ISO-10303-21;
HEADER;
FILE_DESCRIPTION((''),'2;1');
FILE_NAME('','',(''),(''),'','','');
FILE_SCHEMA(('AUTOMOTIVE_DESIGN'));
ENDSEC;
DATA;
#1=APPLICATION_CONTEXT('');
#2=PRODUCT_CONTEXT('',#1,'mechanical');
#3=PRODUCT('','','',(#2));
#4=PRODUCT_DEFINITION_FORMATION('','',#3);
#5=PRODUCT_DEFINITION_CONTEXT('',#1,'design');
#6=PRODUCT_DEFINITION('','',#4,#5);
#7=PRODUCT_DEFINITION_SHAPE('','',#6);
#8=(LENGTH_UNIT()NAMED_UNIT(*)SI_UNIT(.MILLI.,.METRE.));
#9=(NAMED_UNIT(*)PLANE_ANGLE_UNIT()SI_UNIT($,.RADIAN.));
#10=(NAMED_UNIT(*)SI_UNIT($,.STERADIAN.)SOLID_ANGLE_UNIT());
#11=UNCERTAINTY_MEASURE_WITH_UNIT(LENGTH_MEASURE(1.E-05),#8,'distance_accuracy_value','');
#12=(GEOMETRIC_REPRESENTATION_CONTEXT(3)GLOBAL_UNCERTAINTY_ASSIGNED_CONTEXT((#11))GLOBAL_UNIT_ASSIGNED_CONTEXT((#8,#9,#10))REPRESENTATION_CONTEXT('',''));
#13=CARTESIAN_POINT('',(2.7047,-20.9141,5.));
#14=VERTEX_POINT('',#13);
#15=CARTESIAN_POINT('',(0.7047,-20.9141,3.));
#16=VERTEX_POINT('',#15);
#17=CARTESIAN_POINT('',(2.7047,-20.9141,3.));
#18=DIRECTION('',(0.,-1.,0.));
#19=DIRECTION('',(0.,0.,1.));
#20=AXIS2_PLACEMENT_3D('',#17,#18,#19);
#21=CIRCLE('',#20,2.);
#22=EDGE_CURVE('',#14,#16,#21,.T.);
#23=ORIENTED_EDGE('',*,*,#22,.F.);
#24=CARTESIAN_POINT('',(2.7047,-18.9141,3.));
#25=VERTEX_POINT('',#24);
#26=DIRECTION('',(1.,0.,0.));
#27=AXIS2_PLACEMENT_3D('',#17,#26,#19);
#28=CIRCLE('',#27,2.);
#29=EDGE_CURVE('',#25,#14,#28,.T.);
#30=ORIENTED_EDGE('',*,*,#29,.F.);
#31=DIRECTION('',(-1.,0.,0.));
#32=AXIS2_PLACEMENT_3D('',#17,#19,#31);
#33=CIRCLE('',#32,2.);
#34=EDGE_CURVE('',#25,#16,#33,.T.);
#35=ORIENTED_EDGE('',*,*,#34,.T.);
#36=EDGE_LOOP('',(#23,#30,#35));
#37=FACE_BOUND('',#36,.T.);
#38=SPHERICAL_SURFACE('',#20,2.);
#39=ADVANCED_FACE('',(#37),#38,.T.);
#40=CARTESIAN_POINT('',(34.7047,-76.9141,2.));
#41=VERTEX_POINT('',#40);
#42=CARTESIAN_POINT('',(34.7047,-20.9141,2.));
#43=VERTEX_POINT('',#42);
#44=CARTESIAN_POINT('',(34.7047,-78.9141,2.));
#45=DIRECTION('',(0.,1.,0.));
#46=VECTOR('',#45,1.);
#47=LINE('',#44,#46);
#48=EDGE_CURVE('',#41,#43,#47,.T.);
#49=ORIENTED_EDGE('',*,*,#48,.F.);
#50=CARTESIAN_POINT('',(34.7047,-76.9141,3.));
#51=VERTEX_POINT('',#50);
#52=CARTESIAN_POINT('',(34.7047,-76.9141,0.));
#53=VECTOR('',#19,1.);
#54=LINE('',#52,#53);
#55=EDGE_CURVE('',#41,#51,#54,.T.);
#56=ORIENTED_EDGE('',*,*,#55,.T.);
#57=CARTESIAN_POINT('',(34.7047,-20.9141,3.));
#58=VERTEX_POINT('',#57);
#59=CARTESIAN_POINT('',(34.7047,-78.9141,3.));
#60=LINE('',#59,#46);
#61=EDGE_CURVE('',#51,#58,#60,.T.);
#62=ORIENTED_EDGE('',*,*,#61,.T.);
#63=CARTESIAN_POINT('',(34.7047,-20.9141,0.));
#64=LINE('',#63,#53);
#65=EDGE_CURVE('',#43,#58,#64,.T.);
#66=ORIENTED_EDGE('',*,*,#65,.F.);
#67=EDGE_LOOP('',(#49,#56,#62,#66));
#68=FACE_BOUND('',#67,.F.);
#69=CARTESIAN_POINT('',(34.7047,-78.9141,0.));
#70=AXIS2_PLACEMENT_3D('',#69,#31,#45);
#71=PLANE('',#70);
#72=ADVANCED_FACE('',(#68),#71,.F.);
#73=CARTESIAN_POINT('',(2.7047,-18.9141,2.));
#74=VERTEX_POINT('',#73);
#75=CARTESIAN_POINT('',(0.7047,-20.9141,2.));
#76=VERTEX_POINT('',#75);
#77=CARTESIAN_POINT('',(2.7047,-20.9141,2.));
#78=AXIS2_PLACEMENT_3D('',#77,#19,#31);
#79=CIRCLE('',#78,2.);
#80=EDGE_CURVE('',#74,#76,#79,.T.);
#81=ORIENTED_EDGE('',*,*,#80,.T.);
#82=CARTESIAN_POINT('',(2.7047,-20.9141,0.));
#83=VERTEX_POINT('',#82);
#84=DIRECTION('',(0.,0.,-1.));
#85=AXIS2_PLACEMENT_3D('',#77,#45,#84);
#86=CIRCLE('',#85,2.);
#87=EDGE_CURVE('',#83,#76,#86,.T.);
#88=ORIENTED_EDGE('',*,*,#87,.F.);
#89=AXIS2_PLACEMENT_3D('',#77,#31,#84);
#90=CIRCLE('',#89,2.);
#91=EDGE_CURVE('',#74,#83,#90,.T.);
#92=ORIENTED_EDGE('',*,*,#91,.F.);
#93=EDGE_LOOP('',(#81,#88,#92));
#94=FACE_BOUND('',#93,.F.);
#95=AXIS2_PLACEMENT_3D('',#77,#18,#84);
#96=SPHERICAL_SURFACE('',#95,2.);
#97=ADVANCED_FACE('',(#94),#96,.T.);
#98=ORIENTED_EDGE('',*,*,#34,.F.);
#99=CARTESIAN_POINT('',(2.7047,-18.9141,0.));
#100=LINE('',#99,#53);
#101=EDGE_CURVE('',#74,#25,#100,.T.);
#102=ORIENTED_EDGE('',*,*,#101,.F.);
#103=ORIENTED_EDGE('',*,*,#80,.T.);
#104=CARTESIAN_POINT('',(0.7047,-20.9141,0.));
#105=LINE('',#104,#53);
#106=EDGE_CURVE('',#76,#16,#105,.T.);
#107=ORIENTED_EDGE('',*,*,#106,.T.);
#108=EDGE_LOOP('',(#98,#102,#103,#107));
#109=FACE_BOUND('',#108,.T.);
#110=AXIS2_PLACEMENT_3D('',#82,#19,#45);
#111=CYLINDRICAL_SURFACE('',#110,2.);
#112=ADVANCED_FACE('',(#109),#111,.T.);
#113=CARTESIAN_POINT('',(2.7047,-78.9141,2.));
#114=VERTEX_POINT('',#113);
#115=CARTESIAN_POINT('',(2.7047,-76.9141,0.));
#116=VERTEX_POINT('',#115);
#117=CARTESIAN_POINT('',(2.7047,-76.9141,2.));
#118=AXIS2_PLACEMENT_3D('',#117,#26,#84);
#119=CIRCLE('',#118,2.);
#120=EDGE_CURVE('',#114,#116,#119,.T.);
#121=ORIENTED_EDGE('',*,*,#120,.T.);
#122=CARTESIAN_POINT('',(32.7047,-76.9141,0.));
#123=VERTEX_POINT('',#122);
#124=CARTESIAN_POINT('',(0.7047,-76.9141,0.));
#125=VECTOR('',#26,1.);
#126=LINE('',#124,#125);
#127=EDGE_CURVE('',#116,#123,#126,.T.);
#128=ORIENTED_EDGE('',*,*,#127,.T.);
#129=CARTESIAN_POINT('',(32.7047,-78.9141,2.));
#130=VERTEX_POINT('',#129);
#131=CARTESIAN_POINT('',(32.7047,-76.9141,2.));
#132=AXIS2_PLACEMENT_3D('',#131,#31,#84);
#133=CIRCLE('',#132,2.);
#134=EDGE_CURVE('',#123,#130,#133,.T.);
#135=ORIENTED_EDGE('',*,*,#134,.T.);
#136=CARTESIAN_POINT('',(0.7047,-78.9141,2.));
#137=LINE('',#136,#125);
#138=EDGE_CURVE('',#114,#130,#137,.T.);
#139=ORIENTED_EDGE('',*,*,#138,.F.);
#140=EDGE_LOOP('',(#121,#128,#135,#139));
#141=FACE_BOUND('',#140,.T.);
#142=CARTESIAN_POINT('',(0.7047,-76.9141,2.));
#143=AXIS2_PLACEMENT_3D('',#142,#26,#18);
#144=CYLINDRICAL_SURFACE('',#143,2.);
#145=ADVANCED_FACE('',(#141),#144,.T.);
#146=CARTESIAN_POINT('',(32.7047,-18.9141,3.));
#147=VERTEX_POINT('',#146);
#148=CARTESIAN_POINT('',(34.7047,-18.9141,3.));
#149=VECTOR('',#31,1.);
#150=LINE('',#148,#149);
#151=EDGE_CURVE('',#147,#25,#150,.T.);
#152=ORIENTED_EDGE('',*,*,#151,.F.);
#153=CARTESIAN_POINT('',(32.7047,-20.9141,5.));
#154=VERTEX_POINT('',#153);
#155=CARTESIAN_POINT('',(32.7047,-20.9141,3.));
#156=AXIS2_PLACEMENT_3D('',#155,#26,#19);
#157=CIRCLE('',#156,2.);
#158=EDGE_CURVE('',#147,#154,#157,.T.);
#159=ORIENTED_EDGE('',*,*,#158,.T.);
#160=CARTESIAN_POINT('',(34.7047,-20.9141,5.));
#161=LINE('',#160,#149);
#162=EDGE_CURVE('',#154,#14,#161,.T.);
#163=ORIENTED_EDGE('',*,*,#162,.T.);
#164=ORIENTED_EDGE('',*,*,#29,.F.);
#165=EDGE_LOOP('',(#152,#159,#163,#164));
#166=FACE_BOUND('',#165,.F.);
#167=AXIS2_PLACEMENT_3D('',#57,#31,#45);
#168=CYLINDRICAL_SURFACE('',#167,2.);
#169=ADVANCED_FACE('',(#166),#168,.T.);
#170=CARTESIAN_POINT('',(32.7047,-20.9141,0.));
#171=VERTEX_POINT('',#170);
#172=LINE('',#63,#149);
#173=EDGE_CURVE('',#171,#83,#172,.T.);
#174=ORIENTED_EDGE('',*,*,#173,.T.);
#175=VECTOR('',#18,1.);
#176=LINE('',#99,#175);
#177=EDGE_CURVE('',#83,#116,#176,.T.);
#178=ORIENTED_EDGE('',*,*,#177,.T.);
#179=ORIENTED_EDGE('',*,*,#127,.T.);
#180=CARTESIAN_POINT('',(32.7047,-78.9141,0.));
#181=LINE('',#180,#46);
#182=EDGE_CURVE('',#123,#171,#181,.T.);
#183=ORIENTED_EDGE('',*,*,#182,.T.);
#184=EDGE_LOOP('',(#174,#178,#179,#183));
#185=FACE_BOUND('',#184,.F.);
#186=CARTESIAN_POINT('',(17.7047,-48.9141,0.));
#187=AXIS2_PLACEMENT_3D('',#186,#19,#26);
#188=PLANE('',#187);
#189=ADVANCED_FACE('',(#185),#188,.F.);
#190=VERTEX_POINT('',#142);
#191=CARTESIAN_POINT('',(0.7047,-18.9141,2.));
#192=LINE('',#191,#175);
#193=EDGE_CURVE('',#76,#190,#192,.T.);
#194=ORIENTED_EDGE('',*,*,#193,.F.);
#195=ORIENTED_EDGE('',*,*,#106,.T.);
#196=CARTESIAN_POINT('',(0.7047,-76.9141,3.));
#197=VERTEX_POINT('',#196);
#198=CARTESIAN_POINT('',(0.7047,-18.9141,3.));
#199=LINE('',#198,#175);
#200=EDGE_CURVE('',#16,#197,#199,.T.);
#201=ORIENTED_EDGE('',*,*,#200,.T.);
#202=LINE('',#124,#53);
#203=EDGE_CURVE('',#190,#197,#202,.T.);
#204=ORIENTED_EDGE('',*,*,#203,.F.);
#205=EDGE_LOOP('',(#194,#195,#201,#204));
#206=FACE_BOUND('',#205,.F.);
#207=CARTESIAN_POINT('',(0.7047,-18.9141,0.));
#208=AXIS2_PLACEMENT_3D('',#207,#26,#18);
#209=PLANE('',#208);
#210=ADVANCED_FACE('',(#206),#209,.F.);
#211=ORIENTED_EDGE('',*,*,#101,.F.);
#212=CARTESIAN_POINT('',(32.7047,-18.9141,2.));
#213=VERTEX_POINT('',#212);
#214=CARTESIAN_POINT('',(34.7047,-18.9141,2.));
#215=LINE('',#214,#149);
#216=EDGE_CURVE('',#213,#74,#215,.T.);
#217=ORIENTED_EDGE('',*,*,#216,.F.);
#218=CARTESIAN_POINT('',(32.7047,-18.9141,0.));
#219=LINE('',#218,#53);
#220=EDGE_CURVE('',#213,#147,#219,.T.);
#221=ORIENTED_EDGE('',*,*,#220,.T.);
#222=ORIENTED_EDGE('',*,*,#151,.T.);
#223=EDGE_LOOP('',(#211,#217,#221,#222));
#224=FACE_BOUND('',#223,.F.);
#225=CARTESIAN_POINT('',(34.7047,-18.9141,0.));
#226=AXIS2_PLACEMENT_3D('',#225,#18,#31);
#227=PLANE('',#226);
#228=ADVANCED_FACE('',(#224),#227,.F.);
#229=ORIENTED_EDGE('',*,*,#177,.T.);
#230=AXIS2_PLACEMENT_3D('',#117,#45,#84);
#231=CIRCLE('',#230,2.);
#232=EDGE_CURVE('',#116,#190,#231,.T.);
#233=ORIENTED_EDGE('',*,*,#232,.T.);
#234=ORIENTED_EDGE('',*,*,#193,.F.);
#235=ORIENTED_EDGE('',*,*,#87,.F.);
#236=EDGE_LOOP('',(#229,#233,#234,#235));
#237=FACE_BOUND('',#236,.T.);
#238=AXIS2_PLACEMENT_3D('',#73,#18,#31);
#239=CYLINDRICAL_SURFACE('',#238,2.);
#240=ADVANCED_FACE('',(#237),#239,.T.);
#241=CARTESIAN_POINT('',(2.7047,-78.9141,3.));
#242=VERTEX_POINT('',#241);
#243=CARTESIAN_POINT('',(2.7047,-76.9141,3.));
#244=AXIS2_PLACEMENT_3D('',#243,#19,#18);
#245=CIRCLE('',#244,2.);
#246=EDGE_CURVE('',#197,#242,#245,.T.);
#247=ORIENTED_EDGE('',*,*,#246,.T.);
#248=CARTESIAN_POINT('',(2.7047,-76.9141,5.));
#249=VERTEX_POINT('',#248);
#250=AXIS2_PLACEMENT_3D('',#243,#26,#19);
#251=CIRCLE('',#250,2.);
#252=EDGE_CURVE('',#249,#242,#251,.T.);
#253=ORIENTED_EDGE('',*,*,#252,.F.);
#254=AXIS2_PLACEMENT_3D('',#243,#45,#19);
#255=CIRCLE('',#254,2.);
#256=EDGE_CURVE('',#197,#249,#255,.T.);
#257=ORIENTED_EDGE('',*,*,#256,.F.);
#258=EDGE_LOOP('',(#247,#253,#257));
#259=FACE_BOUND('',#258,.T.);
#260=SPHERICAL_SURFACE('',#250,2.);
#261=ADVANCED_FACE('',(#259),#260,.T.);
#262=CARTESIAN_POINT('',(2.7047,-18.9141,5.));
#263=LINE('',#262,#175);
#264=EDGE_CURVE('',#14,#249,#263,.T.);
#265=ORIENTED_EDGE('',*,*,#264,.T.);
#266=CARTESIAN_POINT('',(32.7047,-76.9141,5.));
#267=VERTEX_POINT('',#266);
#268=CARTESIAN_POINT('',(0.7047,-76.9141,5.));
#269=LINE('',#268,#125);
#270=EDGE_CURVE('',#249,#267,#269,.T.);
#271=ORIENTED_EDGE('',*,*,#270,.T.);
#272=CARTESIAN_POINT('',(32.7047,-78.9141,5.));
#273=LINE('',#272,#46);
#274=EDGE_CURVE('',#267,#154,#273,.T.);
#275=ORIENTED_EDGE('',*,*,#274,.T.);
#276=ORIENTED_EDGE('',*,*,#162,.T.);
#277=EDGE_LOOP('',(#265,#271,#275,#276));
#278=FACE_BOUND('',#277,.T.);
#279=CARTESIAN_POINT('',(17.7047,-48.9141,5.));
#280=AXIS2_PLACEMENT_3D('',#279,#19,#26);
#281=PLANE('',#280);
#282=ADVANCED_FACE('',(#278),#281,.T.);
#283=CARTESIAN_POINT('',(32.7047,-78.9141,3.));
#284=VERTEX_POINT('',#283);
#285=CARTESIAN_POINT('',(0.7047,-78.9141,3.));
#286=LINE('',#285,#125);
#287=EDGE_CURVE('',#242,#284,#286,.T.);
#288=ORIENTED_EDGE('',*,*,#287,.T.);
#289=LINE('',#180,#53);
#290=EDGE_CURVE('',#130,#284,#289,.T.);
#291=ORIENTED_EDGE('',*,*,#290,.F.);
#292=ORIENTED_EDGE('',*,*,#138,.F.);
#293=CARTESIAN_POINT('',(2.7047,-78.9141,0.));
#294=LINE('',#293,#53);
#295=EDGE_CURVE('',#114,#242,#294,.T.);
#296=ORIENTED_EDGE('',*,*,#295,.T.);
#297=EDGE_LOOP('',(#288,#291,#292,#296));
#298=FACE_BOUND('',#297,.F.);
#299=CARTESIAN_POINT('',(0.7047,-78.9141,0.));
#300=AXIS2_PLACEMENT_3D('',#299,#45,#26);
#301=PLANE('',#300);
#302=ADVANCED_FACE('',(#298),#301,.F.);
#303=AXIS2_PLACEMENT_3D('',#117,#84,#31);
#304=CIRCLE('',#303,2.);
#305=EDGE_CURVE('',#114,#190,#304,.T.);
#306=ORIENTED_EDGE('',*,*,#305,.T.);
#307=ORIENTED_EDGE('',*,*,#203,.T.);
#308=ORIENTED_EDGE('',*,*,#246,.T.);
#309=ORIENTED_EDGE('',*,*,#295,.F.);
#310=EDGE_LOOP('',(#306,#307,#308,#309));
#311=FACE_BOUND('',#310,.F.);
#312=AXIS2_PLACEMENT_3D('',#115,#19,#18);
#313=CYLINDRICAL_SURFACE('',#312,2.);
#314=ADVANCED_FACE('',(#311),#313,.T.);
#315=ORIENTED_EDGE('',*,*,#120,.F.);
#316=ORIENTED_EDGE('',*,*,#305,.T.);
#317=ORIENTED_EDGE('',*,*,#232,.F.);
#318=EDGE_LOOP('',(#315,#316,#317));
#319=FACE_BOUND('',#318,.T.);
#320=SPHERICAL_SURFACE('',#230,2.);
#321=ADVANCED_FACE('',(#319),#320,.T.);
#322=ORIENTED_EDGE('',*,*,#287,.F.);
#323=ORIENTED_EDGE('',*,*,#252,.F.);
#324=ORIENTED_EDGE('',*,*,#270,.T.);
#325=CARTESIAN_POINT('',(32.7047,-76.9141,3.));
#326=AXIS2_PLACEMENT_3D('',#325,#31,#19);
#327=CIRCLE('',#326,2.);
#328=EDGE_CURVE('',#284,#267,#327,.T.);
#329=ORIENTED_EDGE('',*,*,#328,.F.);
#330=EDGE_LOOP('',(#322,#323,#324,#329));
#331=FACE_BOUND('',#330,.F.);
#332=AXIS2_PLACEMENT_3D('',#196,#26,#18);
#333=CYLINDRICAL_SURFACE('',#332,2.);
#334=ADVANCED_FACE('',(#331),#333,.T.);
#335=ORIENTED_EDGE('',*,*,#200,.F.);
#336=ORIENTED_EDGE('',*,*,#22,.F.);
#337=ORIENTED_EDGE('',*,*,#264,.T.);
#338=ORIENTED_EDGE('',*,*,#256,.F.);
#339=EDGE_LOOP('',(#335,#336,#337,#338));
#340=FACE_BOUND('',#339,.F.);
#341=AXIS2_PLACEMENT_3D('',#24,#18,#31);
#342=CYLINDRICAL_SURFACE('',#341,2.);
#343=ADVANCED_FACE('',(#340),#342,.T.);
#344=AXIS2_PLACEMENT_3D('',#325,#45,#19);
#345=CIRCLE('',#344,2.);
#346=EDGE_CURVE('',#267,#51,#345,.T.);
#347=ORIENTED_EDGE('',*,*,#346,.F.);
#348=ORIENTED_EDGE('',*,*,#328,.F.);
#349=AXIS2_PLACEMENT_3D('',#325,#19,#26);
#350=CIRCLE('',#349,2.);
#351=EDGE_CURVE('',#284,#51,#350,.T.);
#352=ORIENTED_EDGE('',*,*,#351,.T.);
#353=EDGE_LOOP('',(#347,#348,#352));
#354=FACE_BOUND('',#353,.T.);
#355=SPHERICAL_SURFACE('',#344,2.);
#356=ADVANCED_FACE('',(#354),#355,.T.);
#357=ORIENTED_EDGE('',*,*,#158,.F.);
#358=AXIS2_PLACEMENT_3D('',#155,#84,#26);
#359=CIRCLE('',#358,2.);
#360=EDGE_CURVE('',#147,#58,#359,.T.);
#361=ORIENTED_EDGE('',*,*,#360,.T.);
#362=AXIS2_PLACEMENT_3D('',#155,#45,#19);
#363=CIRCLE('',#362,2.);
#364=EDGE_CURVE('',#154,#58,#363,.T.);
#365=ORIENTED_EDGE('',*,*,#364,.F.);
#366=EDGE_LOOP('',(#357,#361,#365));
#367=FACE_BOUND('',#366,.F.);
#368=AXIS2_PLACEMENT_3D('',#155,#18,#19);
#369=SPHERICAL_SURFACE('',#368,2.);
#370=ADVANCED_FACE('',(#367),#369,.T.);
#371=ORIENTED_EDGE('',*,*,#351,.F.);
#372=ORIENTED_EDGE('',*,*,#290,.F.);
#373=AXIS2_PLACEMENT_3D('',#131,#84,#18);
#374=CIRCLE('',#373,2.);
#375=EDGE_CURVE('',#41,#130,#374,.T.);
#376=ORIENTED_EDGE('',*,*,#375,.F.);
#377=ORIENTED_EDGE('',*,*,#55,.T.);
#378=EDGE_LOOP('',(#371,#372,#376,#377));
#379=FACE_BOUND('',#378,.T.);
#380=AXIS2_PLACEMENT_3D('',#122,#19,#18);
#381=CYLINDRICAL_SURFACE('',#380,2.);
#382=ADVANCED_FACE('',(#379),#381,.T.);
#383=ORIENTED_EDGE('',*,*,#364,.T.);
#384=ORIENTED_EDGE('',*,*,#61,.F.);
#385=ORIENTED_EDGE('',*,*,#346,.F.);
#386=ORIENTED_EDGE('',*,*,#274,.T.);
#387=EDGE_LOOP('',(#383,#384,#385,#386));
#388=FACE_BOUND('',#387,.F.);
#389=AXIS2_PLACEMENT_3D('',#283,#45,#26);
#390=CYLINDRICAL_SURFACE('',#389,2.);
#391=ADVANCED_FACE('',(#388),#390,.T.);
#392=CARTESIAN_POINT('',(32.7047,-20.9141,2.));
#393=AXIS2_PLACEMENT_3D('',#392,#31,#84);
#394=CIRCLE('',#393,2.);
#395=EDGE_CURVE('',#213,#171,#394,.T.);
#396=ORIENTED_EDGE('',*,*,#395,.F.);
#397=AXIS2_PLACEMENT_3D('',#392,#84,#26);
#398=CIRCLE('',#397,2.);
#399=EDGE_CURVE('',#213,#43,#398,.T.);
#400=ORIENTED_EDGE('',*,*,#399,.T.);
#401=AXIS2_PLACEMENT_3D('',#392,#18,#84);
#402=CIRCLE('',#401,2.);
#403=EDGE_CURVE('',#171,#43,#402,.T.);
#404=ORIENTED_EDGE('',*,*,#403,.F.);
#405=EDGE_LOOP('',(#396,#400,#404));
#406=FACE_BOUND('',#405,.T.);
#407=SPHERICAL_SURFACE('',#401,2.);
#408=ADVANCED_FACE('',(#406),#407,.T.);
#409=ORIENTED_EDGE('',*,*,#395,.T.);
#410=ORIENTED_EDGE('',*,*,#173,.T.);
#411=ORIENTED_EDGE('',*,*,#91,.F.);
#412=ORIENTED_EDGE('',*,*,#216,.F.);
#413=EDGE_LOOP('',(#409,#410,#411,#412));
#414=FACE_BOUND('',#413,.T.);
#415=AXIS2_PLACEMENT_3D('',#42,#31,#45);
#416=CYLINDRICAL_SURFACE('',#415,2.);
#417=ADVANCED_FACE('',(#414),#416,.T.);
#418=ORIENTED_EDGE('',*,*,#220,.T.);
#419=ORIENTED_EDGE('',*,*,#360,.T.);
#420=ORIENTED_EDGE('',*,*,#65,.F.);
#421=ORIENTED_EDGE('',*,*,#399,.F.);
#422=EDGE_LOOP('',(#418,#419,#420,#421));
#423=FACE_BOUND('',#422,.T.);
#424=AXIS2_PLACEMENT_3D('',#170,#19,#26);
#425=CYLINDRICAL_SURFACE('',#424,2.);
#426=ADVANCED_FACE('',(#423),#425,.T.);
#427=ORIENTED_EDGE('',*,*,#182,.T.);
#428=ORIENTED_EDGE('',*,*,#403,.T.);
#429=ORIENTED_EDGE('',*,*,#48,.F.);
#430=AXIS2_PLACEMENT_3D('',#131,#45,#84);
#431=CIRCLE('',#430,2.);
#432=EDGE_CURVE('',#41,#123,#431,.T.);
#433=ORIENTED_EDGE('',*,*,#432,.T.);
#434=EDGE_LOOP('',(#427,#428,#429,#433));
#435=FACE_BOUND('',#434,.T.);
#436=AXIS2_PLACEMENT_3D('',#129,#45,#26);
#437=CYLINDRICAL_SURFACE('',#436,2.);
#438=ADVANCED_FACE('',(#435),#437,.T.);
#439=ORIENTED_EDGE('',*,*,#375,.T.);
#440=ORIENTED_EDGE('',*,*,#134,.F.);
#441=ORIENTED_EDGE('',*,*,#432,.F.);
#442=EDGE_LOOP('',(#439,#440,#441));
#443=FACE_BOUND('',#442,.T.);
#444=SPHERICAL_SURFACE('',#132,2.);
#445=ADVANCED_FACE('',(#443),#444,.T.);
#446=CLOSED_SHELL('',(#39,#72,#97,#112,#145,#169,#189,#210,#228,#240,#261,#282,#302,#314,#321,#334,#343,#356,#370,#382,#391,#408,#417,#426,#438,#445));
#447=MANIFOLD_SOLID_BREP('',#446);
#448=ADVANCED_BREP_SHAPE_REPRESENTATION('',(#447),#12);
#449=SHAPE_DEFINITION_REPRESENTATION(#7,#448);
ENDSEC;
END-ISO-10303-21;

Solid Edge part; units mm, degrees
sketch "Sketch1" plane through (0, 0, 0) normal (0, 0, 1) x (1, 0, 0)
  line L0 (0.7047, -78.9141) -> (34.7047, -78.9141)
  line L1 (34.7047, -78.9141) -> (34.7047, -18.9141)
  line L2 (34.7047, -18.9141) -> (0.7047, -18.9141)
  line L3 (0.7047, -18.9141) -> (0.7047, -78.9141)
extrude "Protrusion1" add sketch "Sketch1" along normal blind 5
fillet "Round_1" radius 2 12 edges at (0.7047, -48.9141, 0) (17.7047, -78.9141, 0) (34.7047, -48.9141, 0) (17.7047, -18.9141, 0) (34.7047, -48.9141, 5) (17.7047, -78.9141, 5) (0.7047, -48.9141, 5) (17.7047, -18.9141, 5) (0.7047, -18.9141, 2.5) (0.7047, -78.9141, 2.5) (34.7047, -78.9141, 2.5) (34.7047, -18.9141, 2.5)
properties material "Zinc"
